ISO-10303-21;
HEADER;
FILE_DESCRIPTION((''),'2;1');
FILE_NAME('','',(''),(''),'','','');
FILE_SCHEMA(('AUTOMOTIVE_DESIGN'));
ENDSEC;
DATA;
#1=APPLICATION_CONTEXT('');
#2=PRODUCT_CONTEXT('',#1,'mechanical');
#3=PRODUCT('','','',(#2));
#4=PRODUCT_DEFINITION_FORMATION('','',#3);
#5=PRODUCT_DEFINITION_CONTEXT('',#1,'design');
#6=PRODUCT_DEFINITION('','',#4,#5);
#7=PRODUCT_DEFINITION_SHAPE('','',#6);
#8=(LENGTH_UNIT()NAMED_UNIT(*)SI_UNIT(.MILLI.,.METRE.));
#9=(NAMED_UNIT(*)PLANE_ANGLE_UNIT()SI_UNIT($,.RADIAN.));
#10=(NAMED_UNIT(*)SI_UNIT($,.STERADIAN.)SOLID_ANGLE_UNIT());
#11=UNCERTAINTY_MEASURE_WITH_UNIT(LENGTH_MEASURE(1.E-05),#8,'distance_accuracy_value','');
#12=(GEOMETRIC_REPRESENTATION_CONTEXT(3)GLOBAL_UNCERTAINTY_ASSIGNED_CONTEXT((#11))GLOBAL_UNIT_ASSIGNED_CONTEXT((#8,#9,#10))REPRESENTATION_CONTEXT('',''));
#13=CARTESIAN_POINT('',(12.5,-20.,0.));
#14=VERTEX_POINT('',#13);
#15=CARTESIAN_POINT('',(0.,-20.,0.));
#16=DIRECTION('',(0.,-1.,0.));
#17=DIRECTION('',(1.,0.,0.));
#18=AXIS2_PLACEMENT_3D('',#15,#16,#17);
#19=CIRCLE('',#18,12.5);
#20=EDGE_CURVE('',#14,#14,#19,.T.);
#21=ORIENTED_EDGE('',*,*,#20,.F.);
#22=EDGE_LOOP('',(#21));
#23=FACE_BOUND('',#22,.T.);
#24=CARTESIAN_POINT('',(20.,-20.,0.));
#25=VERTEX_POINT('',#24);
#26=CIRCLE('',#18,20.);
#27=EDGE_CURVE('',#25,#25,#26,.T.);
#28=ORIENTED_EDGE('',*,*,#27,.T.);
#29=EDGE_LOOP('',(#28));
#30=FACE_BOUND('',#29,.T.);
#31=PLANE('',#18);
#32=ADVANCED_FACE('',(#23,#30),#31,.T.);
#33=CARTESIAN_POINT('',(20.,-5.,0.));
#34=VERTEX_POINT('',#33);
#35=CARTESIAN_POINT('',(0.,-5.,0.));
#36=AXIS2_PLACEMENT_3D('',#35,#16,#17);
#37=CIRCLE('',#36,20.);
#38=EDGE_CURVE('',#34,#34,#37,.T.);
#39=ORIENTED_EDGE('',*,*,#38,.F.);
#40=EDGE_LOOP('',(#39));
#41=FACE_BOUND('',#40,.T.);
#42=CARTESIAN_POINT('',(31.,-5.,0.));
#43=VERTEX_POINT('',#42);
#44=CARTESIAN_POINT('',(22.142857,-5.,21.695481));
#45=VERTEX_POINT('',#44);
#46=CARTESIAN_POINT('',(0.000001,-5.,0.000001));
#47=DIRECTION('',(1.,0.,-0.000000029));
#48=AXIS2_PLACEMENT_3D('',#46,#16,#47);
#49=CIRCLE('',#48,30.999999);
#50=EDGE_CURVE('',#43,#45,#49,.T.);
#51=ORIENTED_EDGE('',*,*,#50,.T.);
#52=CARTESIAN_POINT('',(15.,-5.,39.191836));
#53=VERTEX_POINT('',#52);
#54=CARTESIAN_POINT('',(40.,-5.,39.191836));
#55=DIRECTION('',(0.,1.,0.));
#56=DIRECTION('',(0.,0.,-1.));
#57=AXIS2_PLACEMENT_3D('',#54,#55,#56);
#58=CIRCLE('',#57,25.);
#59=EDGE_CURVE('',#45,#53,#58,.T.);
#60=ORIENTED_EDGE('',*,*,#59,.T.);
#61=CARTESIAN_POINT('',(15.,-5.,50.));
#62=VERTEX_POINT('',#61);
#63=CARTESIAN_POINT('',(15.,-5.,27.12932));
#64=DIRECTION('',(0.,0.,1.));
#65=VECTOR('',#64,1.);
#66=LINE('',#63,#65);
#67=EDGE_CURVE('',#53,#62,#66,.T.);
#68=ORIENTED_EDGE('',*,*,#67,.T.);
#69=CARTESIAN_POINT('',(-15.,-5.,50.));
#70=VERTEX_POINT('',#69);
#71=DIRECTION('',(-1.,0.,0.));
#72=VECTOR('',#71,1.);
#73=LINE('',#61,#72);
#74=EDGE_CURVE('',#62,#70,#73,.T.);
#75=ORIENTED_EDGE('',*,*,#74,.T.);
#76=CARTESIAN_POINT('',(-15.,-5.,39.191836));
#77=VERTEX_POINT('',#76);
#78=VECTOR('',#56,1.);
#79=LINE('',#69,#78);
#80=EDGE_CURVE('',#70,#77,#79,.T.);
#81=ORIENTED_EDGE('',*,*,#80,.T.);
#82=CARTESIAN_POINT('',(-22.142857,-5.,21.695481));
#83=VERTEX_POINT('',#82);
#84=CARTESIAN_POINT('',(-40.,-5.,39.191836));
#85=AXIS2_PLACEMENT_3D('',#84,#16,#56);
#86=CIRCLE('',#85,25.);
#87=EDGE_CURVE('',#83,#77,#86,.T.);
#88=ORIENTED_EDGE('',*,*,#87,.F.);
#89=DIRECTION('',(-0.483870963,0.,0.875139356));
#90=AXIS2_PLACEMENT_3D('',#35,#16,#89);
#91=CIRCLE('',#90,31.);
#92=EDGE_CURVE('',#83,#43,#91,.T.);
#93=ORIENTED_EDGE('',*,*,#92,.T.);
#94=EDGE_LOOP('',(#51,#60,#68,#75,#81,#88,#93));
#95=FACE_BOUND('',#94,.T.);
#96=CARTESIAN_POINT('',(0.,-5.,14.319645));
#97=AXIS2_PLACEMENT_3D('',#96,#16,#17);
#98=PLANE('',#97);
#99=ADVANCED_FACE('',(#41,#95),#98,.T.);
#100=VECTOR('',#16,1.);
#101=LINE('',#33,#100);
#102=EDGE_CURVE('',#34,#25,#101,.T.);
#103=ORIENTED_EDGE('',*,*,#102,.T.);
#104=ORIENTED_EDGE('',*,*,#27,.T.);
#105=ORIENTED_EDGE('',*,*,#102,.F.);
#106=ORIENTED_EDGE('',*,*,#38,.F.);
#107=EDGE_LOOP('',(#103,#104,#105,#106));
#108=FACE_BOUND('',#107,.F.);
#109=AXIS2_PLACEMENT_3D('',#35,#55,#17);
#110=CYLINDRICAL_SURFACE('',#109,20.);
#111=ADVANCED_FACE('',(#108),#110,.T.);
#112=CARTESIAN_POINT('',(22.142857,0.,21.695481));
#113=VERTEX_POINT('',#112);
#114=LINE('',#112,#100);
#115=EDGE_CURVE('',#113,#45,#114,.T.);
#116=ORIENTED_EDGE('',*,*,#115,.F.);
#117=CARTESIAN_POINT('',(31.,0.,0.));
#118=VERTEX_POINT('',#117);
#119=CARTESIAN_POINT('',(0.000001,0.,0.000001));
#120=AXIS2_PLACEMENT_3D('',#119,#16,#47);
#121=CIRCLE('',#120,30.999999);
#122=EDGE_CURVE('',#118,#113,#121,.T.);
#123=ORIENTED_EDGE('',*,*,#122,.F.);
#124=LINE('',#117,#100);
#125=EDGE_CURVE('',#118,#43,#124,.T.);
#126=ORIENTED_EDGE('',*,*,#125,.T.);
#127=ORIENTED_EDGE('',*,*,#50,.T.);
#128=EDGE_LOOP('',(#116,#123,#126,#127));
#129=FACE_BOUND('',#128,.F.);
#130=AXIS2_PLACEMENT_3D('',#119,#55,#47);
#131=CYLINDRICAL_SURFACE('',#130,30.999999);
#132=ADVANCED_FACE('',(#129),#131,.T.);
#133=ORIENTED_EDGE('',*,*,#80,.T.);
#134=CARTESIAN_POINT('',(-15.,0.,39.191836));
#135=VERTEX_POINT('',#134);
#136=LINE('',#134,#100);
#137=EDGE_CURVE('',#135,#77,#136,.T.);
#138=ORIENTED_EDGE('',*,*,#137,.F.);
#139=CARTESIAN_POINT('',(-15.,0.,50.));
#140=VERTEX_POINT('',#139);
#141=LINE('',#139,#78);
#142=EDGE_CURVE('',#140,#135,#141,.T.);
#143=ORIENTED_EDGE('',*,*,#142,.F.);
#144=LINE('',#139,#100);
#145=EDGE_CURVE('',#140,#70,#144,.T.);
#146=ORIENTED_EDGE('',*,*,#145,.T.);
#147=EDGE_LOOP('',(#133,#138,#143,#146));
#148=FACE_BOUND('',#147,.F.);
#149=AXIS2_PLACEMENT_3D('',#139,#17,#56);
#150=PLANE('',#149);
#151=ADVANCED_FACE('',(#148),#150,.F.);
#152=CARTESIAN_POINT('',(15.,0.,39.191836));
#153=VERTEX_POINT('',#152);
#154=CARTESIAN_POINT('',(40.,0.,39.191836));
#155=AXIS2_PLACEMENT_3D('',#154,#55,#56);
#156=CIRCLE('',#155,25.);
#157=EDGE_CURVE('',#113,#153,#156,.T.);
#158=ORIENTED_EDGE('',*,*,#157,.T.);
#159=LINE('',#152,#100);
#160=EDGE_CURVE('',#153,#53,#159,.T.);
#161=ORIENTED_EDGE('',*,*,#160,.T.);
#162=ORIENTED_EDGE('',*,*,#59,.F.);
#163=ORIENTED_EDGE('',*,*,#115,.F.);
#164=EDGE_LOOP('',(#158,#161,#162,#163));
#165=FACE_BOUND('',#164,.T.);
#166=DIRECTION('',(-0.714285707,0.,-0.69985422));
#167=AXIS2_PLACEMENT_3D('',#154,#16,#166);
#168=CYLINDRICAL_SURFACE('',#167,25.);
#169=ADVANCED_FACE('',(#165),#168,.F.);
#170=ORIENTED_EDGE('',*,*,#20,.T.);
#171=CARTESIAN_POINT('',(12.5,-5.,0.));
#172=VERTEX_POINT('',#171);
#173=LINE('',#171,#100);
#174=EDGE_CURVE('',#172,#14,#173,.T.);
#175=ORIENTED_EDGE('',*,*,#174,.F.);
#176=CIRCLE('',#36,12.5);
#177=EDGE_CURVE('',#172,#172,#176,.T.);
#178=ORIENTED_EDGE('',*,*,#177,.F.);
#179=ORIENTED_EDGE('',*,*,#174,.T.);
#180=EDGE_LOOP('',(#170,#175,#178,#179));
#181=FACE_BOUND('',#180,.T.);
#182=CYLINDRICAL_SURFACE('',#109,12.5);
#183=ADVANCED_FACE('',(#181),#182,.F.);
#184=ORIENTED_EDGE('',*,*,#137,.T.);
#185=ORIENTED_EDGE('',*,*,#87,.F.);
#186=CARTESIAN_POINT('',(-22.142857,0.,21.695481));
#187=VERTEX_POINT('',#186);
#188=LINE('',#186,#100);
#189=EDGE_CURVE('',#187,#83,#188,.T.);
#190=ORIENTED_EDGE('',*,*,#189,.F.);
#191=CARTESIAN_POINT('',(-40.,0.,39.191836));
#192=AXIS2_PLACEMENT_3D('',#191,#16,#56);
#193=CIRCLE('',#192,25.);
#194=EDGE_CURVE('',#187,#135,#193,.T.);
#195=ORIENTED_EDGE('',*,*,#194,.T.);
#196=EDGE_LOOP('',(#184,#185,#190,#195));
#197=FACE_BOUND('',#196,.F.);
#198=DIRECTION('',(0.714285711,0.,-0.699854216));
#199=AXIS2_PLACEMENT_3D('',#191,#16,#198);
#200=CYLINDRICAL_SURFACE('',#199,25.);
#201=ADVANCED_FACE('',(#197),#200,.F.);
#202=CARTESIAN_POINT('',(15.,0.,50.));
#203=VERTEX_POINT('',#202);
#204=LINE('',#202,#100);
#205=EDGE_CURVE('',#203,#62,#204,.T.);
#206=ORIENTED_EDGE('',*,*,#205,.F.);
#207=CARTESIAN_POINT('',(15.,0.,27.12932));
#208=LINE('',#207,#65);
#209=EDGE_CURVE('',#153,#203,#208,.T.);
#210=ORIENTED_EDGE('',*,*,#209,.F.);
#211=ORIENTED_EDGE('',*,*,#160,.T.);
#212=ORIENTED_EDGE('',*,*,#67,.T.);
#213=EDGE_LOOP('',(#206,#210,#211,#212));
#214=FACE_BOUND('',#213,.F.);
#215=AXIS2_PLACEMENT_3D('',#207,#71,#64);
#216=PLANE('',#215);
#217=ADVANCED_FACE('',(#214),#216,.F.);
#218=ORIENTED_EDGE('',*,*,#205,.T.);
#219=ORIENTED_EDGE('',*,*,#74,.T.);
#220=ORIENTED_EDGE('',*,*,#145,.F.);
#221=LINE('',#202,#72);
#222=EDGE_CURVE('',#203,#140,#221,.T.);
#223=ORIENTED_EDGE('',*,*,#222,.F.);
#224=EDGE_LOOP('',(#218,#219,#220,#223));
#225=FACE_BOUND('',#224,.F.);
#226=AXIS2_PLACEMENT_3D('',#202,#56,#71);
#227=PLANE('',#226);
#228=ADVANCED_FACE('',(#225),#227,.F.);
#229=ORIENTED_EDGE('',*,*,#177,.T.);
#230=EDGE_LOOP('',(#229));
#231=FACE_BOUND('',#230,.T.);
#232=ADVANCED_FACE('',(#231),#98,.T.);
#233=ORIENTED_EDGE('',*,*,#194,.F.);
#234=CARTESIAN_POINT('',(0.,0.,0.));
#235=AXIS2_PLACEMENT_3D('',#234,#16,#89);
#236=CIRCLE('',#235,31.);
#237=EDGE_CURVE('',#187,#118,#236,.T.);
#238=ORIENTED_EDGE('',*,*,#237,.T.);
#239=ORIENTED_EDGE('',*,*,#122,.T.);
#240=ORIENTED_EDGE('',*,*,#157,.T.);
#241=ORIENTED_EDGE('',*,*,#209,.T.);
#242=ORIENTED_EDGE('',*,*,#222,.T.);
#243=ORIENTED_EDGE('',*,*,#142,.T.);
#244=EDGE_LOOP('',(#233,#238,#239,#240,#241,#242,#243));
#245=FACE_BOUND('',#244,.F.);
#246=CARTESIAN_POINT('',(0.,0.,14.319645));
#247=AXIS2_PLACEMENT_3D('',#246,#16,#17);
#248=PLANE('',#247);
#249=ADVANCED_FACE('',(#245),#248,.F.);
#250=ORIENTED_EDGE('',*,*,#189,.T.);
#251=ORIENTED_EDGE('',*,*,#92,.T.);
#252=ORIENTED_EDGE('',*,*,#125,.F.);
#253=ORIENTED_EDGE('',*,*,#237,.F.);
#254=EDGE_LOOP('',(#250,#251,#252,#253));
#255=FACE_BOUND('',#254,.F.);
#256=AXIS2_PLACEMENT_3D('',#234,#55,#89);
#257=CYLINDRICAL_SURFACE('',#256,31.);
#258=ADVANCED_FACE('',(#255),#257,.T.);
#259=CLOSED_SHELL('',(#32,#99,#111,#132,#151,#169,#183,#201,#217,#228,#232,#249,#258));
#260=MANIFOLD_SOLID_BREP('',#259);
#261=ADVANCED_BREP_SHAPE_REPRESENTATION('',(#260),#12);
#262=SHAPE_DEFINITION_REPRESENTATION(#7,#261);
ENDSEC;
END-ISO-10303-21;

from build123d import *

# Parameters (mm, degrees)
F1_DEPTH = 5
F2_R     = 25
F3_R     = 20
F3_R_2   = 12.5
F4_DEPTH = 15


with BuildPart() as f1:
    # F0 (on Front) → F1 (new body)
    with BuildSketch(Plane.XZ):
        with BuildLine():
            Line((15, 0), (15, 27.12932))
            ThreePointArc((15, 27.12932), (0, 31), (-15, 27.12932))
            Line((-15, 27.12932), (-15, 0))
            Line((-15, 0), (0, 0))
            Line((0, 0), (15, 0))
        make_face()
        with BuildLine():
            ThreePointArc((-15, 27.12932), (-15.748016, -26.70206), (31, 0))
            ThreePointArc((31, 0), (26.70206, 15.748016), (15, 27.12932))
            Line((15, 27.12932), (15, 0))
            Line((15, 0), (0, 0))
            Line((0, 0), (-15, 0))
            Line((-15, 0), (-15, 27.12932))
        make_face()
        with BuildLine():
            ThreePointArc((-15, 27.12932), (0, 31), (15, 27.12932))
            Line((15, 27.12932), (15, 50))
            Line((15, 50), (-15, 50))
            Line((-15, 50), (-15, 27.12932))
        make_face()
    extrude(amount=F1_DEPTH)

    # F2
    f2_edges = [f1.edges().sort_by_distance(p)[0] for p in [
        (-15, -2.5, 27.12932),
        (15, -2.5, 27.12932),
    ]]
    fillet(f2_edges, radius=F2_R)

    # F3 (on face) → F4 (join)
    with BuildSketch(Plane.XZ.offset(5)):
        Circle(F3_R)
        Circle(F3_R_2, mode=Mode.SUBTRACT)
    extrude(amount=F4_DEPTH)


solid = f1.part
